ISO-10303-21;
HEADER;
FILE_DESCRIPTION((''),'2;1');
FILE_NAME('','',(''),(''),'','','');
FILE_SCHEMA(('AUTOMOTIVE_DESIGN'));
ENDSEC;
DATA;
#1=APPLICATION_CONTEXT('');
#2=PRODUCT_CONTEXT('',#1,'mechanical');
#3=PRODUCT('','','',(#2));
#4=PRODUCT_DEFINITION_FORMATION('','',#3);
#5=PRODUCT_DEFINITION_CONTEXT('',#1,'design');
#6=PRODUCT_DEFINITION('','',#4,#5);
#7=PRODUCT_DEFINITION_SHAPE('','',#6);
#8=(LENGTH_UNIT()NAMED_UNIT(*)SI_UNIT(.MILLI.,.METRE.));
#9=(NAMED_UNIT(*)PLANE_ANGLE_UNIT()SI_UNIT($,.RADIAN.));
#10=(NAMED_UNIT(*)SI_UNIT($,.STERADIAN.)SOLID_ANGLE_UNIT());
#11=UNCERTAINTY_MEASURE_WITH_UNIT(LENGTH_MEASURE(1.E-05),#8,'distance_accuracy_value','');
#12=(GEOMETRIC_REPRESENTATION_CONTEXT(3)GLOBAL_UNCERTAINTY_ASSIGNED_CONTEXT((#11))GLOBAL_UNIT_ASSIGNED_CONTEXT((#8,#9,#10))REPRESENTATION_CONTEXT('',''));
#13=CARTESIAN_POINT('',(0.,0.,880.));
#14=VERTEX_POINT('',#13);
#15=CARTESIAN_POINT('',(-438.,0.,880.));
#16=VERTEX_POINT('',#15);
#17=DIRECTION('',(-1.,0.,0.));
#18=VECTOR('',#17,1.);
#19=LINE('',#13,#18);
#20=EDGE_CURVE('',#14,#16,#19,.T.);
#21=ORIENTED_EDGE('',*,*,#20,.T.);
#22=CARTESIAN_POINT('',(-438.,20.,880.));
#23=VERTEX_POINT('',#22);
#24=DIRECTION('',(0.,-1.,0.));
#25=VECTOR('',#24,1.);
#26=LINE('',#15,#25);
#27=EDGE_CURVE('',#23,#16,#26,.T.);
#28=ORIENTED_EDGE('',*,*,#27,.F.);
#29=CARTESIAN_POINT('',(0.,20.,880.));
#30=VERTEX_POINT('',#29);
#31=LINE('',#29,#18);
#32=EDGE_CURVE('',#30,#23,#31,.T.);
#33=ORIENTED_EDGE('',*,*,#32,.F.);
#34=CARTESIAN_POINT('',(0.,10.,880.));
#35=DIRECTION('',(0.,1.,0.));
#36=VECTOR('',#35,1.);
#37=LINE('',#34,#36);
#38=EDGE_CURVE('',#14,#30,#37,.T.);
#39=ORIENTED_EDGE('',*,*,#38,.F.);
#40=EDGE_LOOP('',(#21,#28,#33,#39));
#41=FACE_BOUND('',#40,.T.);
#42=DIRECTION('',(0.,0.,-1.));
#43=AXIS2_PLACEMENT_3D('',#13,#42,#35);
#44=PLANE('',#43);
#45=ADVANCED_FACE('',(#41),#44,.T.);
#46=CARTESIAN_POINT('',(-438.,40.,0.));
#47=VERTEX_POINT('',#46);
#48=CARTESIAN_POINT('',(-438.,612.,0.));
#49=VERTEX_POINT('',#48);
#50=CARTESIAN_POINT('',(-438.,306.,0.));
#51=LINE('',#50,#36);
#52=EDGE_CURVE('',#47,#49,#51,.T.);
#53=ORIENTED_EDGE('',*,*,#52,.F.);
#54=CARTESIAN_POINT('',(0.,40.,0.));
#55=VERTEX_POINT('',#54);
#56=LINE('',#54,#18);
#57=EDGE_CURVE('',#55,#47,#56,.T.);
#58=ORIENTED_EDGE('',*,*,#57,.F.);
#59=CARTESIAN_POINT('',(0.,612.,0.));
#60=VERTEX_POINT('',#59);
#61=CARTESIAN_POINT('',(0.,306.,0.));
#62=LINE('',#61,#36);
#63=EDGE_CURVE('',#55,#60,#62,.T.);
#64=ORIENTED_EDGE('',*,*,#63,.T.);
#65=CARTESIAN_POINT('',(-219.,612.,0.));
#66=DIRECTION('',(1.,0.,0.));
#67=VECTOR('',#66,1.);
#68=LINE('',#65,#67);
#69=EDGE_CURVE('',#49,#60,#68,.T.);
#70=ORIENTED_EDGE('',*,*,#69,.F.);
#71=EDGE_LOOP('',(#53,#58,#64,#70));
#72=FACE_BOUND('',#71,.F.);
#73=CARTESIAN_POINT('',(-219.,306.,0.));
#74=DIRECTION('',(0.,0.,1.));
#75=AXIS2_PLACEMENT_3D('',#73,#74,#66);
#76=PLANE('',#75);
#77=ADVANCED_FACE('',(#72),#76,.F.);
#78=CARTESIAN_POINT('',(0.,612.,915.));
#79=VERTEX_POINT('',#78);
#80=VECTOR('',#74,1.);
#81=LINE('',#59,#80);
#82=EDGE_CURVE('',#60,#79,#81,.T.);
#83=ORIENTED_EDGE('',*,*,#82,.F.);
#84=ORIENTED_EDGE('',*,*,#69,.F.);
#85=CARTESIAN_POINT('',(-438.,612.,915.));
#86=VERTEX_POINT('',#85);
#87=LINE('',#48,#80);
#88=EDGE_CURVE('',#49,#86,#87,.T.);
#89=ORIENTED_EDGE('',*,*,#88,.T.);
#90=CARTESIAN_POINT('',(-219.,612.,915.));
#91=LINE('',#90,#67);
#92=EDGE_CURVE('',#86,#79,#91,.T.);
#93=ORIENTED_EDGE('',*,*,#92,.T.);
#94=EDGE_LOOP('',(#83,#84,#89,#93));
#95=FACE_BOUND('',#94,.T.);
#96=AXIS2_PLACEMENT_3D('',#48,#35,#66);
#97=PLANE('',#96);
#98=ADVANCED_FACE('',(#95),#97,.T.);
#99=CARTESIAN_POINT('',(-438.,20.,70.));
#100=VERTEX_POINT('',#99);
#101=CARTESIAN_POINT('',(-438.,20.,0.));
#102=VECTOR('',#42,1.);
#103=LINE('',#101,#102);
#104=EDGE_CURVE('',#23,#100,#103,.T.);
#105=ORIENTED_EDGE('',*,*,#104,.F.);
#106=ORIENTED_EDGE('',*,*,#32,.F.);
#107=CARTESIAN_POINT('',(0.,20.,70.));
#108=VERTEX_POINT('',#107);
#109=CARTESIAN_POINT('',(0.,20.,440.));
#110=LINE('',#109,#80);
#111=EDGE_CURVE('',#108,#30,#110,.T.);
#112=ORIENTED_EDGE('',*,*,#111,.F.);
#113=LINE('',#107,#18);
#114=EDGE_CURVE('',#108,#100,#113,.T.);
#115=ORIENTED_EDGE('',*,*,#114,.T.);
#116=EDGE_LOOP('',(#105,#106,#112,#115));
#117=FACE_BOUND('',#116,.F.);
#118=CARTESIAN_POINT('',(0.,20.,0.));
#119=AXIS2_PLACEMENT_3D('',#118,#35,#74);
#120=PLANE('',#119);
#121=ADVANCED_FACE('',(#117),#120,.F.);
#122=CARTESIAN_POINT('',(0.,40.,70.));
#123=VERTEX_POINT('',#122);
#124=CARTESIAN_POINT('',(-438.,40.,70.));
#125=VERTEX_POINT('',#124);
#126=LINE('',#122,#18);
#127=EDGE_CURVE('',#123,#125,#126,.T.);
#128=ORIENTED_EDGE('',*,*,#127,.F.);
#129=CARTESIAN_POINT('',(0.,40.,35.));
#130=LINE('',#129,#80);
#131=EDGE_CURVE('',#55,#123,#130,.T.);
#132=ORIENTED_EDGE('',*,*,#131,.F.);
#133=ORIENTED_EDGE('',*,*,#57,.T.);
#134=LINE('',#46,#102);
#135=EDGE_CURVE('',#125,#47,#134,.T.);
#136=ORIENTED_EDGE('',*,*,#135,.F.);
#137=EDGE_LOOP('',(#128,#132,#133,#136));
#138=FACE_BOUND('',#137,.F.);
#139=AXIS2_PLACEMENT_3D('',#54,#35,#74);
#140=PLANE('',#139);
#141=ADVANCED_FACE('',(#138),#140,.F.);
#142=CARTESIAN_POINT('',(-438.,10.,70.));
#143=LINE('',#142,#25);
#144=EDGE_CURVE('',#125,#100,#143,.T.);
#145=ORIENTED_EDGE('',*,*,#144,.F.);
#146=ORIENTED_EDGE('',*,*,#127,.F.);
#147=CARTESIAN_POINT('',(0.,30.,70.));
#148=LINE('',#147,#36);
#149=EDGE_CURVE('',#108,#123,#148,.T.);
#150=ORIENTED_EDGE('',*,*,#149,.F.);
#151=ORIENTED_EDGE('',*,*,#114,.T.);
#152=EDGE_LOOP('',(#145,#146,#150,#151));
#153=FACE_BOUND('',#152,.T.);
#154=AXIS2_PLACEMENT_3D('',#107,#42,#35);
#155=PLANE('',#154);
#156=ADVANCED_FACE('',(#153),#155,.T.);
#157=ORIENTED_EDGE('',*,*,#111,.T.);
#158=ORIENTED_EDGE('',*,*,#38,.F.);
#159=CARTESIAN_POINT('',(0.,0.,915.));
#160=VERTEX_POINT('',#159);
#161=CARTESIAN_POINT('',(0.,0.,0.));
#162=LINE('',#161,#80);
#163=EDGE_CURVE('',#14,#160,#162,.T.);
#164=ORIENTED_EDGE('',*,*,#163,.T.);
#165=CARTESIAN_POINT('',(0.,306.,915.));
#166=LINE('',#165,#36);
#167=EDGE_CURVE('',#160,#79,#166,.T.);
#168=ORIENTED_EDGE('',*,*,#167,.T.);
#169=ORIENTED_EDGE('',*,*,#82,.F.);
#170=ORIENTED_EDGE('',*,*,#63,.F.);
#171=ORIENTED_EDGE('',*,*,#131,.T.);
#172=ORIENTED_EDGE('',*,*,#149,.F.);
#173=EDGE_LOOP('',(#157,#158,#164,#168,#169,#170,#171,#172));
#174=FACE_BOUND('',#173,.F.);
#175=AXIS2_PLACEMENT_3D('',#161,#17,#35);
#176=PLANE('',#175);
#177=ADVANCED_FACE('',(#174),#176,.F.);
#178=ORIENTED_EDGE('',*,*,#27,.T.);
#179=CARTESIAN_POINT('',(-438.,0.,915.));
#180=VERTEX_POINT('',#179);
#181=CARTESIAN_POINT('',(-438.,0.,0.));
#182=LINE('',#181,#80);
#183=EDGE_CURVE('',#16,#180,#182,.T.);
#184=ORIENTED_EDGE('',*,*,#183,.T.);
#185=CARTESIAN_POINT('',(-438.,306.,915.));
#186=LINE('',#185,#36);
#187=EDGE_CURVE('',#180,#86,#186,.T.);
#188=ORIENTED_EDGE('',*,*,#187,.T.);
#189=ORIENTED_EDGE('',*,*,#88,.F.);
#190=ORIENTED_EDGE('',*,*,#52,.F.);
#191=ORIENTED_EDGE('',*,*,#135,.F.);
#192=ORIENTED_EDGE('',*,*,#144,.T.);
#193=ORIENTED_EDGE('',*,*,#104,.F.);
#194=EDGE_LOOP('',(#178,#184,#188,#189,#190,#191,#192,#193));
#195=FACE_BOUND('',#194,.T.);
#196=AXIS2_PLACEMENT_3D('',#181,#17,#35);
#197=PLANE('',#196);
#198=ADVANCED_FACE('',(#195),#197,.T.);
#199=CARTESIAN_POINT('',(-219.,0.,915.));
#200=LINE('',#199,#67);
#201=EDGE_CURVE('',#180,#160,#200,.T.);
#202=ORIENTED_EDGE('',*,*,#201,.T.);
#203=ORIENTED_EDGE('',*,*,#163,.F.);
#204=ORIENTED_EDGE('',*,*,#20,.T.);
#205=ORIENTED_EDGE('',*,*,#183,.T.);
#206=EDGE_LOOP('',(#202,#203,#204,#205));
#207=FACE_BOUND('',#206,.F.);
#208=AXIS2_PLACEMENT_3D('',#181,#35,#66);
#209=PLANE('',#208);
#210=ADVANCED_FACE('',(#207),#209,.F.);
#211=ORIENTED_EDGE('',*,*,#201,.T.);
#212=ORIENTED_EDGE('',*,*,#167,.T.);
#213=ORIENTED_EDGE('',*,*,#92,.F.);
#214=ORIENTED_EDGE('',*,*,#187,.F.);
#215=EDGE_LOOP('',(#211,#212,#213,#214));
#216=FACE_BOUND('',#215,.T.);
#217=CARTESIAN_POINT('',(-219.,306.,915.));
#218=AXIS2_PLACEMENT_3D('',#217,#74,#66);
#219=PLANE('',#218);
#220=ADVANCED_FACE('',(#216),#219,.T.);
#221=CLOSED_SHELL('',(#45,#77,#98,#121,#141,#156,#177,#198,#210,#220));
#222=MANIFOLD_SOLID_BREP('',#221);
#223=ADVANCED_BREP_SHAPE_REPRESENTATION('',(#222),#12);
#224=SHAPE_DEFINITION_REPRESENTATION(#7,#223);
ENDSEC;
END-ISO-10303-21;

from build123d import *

# Parameters (mm, degrees)
F0_W     = 438
F0_H     = 612
F1_DEPTH = 915
F2_W     = 20
F2_H     = 880
F3_DEPTH = 438.001
F4_W     = 20
F4_H     = 70
F5_DEPTH = 438.001


with BuildPart() as f1:
    # F0 (on Top) → F1 (new body)
    with BuildSketch(Plane.XY):
        with Locations((-219, 306)):
            Rectangle(F0_W, F0_H)
    extrude(amount=F1_DEPTH)

    # F2 (on face) → F3 (cut, through all)
    with BuildSketch(Plane.YZ):
        with Locations((10, 440)):
            Rectangle(F2_W, F2_H)
    extrude(amount=-F3_DEPTH, mode=Mode.SUBTRACT)

    # F4 (on face) → F5 (cut, through all)
    with BuildSketch(Plane.YZ):
        with Locations((30, 35)):
            Rectangle(F4_W, F4_H)
    extrude(amount=-F5_DEPTH, mode=Mode.SUBTRACT)


solid = f1.part
